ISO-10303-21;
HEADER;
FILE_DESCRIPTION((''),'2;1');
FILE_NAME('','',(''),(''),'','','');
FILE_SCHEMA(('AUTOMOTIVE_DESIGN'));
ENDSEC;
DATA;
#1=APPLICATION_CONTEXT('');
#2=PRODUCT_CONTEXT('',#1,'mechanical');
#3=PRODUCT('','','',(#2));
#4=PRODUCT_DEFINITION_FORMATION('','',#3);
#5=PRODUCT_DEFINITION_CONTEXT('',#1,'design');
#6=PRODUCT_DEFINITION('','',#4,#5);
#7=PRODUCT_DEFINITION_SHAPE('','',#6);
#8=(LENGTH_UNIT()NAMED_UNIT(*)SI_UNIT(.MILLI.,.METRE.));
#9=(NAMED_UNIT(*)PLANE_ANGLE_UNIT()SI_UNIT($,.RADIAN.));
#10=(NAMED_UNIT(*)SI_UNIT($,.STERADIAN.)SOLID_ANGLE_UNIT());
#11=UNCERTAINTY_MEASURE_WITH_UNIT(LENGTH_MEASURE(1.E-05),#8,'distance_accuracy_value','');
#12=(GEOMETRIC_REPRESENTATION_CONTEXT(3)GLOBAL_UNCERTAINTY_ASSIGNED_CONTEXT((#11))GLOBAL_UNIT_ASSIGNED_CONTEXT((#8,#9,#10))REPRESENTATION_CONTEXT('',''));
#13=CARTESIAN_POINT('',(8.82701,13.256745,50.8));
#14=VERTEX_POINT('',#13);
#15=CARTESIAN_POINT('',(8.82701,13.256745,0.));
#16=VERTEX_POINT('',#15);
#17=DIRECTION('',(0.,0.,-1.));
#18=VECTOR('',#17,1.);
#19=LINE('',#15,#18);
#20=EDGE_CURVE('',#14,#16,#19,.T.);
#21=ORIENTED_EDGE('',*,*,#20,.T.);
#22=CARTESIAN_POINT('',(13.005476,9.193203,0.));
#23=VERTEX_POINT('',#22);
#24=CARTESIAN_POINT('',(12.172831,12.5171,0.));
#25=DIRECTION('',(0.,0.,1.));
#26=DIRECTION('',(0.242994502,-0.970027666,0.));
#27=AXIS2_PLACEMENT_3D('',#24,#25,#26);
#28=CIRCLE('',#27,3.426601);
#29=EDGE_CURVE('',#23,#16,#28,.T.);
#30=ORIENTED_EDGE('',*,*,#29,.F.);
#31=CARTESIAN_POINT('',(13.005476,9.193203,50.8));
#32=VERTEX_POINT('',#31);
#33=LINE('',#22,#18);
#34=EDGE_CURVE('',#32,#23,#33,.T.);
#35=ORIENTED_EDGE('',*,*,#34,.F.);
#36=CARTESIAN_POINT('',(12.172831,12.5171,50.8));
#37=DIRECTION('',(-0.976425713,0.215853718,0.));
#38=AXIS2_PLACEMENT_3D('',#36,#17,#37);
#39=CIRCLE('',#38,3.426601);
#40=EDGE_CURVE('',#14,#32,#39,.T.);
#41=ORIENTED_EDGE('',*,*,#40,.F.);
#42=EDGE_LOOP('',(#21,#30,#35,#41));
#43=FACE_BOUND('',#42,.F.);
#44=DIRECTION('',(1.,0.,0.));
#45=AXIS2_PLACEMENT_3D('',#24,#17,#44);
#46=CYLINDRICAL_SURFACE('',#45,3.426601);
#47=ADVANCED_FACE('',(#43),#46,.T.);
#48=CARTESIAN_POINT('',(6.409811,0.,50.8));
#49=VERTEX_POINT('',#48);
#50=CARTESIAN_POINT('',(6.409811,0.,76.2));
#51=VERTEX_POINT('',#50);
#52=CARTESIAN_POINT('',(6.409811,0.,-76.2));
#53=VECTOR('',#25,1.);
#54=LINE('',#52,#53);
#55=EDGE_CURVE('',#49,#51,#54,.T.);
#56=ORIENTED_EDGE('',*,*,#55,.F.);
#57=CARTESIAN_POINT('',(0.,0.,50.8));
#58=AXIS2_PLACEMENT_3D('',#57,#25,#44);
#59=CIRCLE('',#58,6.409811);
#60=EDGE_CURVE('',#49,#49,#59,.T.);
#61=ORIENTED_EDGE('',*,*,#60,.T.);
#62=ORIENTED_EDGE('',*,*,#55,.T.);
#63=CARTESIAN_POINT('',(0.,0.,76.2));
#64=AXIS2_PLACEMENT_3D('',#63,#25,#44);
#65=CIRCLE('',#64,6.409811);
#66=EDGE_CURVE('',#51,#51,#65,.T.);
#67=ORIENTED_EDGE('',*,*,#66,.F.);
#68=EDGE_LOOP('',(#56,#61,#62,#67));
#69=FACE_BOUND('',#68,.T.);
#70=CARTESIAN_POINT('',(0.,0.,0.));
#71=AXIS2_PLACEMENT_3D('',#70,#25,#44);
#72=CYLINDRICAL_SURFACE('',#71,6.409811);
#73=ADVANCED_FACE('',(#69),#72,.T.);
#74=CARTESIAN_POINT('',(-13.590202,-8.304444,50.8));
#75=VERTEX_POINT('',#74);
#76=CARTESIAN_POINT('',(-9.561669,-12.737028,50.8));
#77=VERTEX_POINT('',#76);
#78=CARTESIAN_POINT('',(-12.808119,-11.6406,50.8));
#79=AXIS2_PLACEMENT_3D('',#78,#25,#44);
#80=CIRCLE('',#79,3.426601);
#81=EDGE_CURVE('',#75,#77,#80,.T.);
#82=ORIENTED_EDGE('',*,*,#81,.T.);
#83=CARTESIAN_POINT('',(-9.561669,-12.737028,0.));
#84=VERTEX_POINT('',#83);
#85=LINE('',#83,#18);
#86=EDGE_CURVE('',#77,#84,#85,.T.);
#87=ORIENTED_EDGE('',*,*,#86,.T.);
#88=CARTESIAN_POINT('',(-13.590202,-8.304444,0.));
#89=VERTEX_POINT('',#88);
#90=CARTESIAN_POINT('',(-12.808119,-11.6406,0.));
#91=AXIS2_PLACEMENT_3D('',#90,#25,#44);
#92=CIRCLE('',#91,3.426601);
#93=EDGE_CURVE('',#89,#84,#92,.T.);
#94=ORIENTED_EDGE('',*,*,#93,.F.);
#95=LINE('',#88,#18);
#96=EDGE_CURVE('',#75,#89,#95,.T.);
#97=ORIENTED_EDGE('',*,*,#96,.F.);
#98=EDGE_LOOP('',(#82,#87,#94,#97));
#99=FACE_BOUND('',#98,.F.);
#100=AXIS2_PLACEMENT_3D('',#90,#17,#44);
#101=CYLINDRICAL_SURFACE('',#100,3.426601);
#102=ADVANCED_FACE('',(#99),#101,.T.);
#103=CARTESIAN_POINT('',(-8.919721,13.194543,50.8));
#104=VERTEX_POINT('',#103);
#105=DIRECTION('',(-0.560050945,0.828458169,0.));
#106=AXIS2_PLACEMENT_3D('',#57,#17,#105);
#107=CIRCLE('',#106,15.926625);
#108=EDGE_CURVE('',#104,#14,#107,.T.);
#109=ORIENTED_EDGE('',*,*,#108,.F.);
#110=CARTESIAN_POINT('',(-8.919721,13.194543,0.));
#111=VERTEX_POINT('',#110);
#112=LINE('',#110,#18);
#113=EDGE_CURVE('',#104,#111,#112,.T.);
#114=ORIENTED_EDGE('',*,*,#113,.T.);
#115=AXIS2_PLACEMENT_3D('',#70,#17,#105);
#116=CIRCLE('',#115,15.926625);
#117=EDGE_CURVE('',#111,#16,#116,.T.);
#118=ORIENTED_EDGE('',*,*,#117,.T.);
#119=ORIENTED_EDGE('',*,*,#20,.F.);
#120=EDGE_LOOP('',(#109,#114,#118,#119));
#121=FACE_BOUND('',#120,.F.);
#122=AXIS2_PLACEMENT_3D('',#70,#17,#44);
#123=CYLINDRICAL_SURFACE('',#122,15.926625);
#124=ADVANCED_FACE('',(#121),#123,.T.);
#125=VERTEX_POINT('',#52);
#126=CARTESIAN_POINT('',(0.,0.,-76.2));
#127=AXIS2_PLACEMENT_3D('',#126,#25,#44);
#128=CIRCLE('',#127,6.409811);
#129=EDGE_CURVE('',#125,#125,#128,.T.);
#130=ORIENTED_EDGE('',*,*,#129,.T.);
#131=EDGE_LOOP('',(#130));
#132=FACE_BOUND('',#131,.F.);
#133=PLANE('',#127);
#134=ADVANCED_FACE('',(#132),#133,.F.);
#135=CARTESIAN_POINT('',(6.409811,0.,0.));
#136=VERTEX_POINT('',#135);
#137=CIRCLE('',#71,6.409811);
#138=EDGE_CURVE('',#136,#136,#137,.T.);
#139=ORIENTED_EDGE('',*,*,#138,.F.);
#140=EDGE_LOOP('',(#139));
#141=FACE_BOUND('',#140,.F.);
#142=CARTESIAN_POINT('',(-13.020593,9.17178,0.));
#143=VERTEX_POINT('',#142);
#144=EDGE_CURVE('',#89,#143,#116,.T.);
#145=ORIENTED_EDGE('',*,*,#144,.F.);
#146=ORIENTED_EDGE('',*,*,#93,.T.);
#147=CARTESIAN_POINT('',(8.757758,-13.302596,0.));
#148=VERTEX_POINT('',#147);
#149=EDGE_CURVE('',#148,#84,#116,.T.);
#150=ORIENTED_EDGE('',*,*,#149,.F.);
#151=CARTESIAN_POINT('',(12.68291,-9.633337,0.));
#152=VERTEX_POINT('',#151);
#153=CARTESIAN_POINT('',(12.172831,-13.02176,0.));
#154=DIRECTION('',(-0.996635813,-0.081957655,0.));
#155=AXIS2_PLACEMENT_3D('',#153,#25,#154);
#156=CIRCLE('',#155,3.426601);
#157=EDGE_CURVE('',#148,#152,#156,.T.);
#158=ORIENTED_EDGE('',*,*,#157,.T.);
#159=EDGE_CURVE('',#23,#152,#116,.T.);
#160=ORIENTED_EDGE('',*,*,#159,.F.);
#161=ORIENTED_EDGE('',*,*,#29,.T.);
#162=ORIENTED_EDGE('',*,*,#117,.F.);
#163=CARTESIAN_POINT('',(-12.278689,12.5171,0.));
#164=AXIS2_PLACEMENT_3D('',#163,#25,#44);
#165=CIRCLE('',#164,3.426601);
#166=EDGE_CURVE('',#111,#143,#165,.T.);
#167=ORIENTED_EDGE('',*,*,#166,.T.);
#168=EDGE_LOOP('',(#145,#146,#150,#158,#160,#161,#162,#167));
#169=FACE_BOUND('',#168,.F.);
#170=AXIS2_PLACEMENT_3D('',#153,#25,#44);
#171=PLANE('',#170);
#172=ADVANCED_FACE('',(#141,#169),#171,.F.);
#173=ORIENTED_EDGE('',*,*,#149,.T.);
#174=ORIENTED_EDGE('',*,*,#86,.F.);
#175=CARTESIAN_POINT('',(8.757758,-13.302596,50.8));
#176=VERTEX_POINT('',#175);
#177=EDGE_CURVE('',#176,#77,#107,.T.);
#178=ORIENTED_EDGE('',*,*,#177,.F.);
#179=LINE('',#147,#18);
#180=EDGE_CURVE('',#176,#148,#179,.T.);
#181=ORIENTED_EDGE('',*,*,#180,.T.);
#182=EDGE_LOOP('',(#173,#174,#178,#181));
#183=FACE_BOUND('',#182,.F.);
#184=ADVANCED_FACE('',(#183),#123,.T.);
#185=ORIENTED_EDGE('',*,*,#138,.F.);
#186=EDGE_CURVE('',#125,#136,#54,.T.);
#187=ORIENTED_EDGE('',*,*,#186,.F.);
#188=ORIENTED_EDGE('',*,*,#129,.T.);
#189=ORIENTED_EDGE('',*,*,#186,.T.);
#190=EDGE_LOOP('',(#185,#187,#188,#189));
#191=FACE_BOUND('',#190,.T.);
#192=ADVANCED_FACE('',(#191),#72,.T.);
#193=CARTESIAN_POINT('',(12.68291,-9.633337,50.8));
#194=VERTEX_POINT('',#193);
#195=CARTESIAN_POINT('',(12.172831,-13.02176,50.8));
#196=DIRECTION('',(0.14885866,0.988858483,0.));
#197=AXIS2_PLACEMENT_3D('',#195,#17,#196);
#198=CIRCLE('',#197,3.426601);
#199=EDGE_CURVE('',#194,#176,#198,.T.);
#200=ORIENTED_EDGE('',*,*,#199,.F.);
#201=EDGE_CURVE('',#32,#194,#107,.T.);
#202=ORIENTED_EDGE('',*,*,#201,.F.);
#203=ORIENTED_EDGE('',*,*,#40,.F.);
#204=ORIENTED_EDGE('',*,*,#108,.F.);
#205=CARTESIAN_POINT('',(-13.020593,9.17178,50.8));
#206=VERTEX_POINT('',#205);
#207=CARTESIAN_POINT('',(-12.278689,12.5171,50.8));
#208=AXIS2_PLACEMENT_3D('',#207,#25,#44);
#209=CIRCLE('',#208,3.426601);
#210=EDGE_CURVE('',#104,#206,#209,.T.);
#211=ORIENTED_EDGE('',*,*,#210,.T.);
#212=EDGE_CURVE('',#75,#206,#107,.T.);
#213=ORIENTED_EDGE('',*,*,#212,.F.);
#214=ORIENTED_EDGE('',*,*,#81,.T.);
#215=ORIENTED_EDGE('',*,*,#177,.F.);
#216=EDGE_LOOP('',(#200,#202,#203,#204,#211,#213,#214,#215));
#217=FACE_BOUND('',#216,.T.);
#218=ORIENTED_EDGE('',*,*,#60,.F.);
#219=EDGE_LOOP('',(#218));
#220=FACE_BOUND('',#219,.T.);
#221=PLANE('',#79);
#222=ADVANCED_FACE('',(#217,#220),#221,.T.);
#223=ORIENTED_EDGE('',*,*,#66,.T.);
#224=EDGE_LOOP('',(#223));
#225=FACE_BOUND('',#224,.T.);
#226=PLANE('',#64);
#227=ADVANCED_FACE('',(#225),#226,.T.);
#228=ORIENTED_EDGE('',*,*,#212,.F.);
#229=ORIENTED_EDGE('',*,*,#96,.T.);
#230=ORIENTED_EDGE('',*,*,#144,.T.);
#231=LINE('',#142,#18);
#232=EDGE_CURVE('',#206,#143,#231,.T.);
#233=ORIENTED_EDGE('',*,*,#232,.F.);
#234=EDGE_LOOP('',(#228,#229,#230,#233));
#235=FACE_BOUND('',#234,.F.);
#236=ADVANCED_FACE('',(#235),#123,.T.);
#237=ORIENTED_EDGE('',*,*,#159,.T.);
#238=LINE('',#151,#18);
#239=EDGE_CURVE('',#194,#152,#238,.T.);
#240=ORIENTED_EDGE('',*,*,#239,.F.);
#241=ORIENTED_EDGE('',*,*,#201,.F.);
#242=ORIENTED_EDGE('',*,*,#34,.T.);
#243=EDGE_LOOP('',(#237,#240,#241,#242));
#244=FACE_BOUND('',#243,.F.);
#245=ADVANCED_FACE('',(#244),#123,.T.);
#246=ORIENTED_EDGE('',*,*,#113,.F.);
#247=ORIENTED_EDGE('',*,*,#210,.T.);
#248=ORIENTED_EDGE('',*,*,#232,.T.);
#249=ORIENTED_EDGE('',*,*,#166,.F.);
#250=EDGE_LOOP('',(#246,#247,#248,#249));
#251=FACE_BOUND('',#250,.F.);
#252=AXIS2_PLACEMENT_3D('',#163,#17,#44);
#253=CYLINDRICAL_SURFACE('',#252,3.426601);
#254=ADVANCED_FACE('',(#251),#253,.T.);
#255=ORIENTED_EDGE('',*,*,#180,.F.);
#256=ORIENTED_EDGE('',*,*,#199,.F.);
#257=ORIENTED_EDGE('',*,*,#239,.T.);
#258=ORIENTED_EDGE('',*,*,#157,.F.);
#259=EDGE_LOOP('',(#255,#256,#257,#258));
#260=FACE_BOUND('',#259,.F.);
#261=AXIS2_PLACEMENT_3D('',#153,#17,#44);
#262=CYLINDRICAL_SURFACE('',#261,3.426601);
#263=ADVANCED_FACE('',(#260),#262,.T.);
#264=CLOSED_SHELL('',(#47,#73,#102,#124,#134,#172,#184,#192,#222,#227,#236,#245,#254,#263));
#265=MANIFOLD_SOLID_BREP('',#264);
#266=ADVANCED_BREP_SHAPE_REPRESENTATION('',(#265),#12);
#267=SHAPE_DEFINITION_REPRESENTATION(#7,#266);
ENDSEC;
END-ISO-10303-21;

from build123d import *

# Parameters (mm, degrees)
F0_R     = 15.9266250138
F0_R_2   = 6.35
F1_DEPTH = 50.8
F2_R     = 3.4266006547
F3_DEPTH = 50.8
F7_R     = 6.4098114124
F8_DEPTH = 76.2


with BuildPart() as f1:
    # F0 (on Top) → F1 (new body)
    with BuildSketch(Plane.XY):
        Circle(F0_R)
        Circle(F0_R_2, mode=Mode.SUBTRACT)
    extrude(amount=F1_DEPTH)



with BuildPart() as f3:
    # F2 (on Top) → F3 (new body)
    with BuildSketch(Plane.XY):
        with Locations((-12.2786890715, 12.5171002001)):
            Circle(F2_R)
    extrude(amount=F3_DEPTH)


with BuildPart() as f4_1:
    # F4: copy of F3
    add(f3.part.moved(Location((24.45152, 0, 0))))


with BuildPart() as f5_1:
    # F5: copy of F4_1
    add(f4_1.part.moved(Location((0, -25.53886, 0))))


with BuildPart() as f6_1:
    # F6: copy of F5_1
    add(f5_1.part.moved(Location((-24.98095, 1.38116, 0))))


with BuildPart() as f1_1:
    add(f1.part)

    add(f3.part)  # F8 merges F3

    add(f4_1.part)  # F8 merges F4_1

    add(f5_1.part)  # F8 merges F5_1

    add(f6_1.part)  # F8 merges F6_1
    # F7 (on Top) → F8 (join, symmetric)
    with BuildSketch(Plane.XY):
        Circle(F7_R)
    extrude(amount=F8_DEPTH, both=True)


solid = f1_1.part
